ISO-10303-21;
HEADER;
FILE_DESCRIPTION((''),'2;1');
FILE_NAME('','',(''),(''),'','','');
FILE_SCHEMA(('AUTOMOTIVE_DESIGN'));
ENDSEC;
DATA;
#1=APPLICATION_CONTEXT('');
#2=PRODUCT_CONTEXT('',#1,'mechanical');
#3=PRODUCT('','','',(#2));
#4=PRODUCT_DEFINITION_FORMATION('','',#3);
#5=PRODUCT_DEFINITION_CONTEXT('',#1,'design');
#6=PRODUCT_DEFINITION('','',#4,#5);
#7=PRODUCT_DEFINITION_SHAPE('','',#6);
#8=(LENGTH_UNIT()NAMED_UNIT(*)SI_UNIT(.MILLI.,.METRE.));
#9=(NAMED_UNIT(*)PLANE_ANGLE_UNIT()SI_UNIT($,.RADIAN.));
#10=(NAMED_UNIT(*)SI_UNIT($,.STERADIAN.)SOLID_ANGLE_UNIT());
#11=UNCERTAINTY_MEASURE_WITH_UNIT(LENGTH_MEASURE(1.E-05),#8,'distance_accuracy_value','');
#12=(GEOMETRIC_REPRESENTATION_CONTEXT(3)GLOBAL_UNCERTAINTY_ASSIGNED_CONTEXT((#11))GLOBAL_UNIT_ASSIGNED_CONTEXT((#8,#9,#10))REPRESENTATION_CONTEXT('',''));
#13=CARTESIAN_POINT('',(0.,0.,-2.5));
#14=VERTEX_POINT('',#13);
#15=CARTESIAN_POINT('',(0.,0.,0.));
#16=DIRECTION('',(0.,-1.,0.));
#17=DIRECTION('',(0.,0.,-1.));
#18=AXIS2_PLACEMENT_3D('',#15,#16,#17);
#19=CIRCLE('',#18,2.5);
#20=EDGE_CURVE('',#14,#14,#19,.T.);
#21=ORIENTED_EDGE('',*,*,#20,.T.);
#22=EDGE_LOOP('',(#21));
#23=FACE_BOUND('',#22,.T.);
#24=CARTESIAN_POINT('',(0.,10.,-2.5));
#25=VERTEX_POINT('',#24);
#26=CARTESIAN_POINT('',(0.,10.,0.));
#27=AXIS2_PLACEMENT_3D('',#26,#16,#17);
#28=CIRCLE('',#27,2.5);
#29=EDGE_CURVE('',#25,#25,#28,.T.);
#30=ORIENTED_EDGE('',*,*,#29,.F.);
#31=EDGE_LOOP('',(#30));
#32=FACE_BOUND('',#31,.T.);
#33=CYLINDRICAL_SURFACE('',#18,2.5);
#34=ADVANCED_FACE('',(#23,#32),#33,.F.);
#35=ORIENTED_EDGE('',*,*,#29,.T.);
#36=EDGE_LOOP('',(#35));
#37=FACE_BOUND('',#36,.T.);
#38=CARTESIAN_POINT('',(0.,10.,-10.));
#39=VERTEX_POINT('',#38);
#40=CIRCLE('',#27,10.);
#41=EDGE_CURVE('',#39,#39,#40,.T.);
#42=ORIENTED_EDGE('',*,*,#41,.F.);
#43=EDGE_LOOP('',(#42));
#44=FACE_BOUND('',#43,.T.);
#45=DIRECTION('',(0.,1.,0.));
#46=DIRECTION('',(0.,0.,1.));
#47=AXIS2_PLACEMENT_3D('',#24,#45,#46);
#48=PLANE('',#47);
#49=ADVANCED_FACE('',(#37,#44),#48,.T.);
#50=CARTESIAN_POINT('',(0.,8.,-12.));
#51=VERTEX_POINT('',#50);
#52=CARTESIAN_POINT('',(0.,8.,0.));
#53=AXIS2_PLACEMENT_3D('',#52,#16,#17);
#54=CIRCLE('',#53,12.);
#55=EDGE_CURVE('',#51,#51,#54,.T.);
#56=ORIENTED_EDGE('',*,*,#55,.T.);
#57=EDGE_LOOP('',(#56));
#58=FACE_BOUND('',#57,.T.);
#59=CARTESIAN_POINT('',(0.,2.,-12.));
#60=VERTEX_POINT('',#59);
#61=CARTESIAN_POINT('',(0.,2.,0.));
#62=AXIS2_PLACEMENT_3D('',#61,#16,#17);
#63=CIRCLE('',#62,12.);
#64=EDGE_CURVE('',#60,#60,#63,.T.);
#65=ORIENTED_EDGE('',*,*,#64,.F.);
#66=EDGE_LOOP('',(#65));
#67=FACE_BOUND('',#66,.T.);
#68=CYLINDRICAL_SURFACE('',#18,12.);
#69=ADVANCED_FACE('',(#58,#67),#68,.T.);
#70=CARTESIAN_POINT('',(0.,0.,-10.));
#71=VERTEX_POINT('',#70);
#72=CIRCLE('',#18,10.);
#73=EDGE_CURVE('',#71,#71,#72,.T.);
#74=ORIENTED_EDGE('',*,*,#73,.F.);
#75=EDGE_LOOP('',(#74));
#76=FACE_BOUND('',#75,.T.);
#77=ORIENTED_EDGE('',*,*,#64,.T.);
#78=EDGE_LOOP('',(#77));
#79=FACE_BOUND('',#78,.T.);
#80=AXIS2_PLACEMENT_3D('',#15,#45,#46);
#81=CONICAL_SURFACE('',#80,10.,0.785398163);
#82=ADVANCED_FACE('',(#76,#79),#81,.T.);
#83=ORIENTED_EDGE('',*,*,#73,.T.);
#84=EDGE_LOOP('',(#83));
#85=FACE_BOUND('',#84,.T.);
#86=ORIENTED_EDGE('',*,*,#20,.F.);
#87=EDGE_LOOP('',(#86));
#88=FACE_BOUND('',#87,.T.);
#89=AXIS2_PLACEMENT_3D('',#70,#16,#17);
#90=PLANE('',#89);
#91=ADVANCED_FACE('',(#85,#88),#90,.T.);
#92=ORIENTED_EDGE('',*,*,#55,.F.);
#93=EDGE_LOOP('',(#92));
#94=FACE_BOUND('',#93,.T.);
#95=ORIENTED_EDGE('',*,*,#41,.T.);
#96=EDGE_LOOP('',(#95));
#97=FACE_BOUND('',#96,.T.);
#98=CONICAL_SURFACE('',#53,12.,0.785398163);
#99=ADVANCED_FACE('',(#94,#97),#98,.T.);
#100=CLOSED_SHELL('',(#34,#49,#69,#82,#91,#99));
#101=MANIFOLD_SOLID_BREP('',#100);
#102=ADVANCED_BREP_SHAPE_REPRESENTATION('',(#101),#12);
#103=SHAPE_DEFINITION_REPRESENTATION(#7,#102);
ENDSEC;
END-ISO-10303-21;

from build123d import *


with BuildPart() as part:
    # Sketch1 → Revolve1 (revolve)
    with BuildSketch(Plane(origin=(0, 0, 0), x_dir=(0, 0, -1), z_dir=(1, 0, 0))):
        Polygon((2.5, 10), (2.5, 0), (10, 0), (12, 2), (12, 8), (10, 10), align=None)
    revolve(axis=Axis((0, 0, 0), (0, 1, 0)))


solid = part.part
